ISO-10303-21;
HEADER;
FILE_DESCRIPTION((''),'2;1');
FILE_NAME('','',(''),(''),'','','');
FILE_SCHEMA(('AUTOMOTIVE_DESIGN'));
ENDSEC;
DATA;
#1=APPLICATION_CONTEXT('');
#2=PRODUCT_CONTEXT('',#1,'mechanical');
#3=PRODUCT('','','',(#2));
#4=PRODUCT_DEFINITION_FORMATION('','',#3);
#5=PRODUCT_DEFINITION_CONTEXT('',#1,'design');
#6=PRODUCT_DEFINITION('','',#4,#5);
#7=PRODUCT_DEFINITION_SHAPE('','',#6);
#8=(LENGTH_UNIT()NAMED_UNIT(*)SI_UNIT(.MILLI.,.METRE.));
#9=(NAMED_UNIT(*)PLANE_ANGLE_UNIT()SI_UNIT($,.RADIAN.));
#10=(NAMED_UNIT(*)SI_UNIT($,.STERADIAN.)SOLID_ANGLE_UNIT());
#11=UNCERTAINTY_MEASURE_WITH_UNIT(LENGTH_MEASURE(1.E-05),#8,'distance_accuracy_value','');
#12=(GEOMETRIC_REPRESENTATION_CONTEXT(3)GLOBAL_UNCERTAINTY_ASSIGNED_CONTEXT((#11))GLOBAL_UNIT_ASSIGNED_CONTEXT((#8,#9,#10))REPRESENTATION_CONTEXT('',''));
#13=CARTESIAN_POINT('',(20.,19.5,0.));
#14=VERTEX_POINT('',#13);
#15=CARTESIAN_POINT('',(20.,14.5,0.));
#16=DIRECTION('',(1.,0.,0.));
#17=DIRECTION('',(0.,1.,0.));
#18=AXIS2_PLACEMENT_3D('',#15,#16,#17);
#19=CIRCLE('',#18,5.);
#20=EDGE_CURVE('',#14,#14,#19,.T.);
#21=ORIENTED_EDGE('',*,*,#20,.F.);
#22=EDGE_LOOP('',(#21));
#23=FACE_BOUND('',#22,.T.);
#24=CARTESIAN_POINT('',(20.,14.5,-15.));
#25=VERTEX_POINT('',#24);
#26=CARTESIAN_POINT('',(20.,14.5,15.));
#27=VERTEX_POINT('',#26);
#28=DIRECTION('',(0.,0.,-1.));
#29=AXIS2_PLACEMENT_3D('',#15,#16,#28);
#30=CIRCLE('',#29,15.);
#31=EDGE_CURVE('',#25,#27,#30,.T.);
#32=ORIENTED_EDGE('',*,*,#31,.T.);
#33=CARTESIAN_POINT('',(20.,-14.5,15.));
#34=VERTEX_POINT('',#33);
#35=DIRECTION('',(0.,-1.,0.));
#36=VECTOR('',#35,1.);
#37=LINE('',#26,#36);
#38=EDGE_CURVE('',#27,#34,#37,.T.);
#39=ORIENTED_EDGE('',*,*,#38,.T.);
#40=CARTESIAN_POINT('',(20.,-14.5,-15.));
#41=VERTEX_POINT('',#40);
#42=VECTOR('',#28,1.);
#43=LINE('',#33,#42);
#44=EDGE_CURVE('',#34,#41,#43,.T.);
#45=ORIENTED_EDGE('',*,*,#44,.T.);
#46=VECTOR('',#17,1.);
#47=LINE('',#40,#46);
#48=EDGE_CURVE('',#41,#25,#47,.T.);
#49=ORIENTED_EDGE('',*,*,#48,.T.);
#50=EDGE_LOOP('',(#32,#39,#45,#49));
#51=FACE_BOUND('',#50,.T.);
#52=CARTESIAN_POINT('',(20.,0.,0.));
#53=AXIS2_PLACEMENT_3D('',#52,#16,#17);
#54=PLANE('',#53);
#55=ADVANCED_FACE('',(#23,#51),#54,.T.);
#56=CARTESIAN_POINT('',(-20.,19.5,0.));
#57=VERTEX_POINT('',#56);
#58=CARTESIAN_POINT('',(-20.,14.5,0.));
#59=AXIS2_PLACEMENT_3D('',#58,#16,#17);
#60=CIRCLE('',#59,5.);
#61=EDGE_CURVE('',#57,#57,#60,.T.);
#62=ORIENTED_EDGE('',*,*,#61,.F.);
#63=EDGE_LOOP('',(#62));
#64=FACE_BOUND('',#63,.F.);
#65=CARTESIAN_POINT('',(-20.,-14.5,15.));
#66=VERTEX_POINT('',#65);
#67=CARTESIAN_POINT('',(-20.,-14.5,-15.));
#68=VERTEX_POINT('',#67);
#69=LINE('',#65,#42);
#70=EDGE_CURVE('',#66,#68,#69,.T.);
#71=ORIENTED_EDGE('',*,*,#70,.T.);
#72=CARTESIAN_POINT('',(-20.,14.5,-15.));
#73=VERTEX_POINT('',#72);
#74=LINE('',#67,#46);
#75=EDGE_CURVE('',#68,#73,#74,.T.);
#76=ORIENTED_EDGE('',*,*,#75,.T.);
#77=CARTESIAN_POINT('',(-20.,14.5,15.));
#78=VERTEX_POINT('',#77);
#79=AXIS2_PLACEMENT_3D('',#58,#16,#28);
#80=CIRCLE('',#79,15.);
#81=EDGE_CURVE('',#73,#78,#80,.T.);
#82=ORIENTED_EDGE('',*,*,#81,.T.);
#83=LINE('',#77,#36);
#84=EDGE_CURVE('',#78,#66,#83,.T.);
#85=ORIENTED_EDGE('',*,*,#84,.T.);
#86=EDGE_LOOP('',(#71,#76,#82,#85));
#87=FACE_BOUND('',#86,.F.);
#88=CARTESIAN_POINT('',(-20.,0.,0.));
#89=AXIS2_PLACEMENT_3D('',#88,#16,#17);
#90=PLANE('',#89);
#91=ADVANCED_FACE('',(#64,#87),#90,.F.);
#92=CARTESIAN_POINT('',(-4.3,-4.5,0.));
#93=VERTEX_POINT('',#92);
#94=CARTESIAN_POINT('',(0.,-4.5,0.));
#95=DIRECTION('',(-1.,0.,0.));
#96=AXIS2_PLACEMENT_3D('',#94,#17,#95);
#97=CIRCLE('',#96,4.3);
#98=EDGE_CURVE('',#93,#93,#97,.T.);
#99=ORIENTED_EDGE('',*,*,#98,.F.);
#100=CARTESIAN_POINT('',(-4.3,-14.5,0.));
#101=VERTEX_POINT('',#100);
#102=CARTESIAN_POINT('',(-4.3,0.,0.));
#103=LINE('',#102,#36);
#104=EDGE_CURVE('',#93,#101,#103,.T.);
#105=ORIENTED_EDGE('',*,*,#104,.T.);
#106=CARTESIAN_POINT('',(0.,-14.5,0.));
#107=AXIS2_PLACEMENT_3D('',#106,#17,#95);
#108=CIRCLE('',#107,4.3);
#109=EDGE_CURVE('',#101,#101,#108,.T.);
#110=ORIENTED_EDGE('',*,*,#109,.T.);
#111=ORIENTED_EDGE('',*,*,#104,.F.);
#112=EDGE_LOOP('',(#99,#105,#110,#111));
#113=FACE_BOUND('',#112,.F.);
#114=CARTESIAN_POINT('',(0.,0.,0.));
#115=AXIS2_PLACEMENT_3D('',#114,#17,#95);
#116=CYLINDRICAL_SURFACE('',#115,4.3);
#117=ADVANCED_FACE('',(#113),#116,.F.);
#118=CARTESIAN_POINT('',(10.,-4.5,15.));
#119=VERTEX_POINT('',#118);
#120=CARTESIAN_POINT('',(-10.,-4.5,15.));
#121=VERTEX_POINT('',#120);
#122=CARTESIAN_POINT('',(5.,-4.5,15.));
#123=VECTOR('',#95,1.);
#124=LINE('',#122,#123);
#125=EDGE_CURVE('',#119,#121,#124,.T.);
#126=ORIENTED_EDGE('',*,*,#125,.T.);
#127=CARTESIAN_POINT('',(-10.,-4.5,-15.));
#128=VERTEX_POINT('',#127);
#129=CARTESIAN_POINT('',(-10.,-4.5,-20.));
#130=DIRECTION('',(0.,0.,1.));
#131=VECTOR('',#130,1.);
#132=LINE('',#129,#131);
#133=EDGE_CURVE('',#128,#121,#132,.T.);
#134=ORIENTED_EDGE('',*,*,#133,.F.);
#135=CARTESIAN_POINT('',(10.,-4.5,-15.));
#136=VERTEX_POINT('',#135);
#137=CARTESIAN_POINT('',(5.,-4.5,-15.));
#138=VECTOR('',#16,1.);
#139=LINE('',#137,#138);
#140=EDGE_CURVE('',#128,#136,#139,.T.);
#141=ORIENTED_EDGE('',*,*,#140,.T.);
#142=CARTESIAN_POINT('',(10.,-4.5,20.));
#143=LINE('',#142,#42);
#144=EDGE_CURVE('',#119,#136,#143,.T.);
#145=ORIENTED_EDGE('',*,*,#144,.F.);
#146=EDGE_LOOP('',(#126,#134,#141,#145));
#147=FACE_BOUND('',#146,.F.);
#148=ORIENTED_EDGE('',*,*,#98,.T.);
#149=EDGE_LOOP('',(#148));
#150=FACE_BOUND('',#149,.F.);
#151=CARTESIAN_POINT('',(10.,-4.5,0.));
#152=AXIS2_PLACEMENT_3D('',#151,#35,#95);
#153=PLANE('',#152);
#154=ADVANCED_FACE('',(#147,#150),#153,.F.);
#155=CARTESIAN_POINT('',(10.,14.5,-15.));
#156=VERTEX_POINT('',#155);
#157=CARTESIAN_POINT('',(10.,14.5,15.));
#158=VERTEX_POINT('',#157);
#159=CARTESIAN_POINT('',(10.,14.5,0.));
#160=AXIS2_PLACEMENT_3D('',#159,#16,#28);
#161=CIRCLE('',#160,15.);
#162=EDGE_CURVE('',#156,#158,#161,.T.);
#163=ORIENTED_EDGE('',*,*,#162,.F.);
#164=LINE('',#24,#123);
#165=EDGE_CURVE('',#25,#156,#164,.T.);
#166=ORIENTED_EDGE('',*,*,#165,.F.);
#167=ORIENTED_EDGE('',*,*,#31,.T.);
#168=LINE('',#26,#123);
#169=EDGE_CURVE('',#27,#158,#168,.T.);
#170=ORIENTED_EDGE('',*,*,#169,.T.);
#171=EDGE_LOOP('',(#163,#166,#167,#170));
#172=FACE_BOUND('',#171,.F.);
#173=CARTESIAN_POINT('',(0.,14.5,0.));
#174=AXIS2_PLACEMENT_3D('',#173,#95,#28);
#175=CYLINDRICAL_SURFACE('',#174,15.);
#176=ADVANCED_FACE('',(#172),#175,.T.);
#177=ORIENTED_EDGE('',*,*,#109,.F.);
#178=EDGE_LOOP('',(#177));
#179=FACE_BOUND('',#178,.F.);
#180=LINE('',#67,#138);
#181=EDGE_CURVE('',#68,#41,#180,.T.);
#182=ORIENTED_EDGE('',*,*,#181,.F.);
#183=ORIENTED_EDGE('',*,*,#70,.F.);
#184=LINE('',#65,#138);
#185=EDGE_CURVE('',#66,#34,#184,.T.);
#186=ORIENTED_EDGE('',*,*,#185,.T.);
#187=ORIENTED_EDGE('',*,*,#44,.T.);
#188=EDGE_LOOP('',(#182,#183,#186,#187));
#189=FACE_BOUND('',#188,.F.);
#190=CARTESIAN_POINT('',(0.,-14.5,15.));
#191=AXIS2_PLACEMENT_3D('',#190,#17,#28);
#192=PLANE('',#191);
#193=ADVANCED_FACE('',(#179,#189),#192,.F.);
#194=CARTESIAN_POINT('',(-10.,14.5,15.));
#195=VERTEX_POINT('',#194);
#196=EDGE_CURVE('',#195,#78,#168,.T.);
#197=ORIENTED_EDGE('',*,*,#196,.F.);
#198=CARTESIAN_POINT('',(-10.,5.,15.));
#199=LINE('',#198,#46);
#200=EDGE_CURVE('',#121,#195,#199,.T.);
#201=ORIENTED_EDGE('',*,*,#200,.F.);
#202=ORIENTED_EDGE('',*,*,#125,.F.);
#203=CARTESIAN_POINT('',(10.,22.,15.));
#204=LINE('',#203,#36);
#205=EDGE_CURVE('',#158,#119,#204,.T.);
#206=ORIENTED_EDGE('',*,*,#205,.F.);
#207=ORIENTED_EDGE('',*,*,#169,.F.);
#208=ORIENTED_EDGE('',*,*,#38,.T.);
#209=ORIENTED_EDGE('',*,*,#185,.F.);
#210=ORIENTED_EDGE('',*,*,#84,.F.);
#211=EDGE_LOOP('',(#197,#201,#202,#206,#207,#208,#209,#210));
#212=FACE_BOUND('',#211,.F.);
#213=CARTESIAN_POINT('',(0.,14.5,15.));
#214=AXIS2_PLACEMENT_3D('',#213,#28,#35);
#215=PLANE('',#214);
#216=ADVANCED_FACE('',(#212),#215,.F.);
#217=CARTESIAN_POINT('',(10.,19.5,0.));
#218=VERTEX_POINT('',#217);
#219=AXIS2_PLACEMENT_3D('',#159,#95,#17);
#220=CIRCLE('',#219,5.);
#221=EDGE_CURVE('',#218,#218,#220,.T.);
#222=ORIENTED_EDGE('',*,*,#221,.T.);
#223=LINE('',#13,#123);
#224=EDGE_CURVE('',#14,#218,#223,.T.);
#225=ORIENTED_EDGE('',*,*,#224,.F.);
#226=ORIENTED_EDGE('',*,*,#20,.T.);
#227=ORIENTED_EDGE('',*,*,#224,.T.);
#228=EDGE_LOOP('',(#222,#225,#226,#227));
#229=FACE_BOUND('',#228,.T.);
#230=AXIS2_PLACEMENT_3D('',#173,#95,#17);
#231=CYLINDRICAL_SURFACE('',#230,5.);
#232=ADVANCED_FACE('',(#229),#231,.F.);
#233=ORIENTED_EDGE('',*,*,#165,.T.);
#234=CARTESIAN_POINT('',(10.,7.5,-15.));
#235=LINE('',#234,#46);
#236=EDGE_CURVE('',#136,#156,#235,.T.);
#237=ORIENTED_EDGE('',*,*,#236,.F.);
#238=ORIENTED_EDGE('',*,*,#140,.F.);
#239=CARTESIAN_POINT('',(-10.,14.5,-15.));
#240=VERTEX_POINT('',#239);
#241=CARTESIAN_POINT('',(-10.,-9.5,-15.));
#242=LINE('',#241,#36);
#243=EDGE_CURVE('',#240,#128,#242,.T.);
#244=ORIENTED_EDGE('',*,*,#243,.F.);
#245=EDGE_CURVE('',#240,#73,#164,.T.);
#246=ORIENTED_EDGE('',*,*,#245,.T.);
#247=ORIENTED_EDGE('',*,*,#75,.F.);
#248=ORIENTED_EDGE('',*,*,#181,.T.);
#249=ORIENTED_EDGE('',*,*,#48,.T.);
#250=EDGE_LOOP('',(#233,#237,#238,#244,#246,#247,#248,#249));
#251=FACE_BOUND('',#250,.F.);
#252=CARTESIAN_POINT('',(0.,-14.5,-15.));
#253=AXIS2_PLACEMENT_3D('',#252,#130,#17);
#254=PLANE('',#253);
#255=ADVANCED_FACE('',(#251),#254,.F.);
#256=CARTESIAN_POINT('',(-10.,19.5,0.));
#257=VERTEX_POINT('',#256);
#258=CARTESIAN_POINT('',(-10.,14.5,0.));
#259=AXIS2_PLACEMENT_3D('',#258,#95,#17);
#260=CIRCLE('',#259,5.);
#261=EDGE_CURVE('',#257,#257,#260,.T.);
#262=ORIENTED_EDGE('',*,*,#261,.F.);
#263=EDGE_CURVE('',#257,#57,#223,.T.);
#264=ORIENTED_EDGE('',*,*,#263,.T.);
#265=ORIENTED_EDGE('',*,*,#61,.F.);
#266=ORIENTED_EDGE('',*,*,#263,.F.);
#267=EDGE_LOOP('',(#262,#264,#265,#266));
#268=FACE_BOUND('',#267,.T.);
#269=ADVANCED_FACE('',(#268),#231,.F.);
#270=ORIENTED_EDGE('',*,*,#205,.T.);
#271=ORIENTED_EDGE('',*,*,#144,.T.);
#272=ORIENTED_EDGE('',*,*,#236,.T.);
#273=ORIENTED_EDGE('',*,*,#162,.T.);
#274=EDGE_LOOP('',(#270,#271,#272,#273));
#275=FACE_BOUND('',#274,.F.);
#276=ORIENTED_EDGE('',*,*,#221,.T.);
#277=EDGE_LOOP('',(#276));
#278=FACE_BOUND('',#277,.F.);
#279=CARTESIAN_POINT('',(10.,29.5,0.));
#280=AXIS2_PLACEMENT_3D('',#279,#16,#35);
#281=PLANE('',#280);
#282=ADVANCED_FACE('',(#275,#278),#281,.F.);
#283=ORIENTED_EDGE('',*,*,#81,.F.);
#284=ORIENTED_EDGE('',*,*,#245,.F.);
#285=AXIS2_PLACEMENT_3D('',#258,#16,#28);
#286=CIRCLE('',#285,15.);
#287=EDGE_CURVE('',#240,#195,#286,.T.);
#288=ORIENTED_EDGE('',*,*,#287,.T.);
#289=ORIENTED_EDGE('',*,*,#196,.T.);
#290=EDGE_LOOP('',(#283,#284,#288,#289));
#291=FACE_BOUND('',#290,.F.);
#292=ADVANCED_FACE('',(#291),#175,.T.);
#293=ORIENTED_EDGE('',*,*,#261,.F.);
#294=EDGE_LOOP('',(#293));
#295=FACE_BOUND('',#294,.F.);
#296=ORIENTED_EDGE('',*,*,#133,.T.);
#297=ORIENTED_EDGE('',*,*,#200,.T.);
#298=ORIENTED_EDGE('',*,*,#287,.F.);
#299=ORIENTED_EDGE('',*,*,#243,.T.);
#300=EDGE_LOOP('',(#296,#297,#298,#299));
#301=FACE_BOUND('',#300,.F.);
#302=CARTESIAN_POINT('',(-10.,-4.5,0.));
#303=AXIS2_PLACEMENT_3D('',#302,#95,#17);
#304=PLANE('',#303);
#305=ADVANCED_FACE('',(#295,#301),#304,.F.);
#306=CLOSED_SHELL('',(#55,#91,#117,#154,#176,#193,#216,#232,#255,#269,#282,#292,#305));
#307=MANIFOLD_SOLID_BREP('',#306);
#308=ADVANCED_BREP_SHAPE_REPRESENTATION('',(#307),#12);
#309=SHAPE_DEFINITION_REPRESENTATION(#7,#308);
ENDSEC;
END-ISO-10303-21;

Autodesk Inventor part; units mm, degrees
ref_plane "YZ Plane" through (0, 0, 0) normal (1, 0, 0) x (0, 1, 0)
ref_plane "XZ Plane" through (0, 0, 0) normal (0, 1, 0) x (-1, 0, 0)
ref_plane "XY Plane" through (0, 0, 0) normal (0, 0, 1) x (1, 0, 0)
sketch "Sketch1" plane through (0, 0, 0) normal (1, 0, 0) x (0, 1, 0)
  line L0 (-14.5, 15) -> (-14.5, -15)
  line L1 (-14.5, -15) -> (14.5, -15)
  arc A0 (14.5, -15) -> (14.5, 15) centre (14.5, 0) ccw
  line L2 (14.5, 15) -> (-14.5, 15)
  circle A1 centre (14.5, 0) radius 5
  point P0 (0, 0)
  point P1 (0, -15)
  dimension "d0" = 15
  dimension "d1" = 10
  dimension "d2" = 29
extrude "Extrusion1" add sketch "Sketch1" along normal mid plane 40
sketch "Sketch2" plane through (0, 0, 0) normal (0, 0, 1) x (1, 0, 0)
  line L0 (-20, 14.5) -> (20, 14.5) construction
  line L1 (20, 14.5) -> (20, 14.5) construction
  line L2 (-20, 14.5) -> (20, 14.5) construction
  line L3 (-20, 14.5) -> (-20, 14.5) construction
  line L4 (-20, 14.5) -> (20, 14.5) construction
  line L5 (20, -14.5) -> (20, 14.5) construction
  line L6 (20, -14.5) -> (-20, -14.5) construction
  line L7 (-20, 14.5) -> (-20, -14.5) construction
  line L8 (-10, 29.5) -> (10, 29.5)
  line L9 (10, 29.5) -> (10, -4.5)
  line L10 (10, -4.5) -> (-10, -4.5)
  line L11 (-10, -4.5) -> (-10, 29.5)
  line L12 (-20, 29.5) -> (20, 29.5) construction
  point P0 (0, 0)
  point P1 (0, 29.5)
  dimension "d5" = 20
  dimension "d6" = 10
  dimension "d7" = 34
extrude "Extrusion2" cut sketch "Sketch2" along normal mid plane 40
sketch "Sketch3" plane through (0, 0, 0) normal (0, 1, 0) x (-1, 0, 0)
  circle A0 centre (0, 0) radius 4.3
  dimension "d10" = 8.6
extrude "Extrusion3" cut sketch "Sketch3" against normal through all
properties part number "cuerpo_obj3"
